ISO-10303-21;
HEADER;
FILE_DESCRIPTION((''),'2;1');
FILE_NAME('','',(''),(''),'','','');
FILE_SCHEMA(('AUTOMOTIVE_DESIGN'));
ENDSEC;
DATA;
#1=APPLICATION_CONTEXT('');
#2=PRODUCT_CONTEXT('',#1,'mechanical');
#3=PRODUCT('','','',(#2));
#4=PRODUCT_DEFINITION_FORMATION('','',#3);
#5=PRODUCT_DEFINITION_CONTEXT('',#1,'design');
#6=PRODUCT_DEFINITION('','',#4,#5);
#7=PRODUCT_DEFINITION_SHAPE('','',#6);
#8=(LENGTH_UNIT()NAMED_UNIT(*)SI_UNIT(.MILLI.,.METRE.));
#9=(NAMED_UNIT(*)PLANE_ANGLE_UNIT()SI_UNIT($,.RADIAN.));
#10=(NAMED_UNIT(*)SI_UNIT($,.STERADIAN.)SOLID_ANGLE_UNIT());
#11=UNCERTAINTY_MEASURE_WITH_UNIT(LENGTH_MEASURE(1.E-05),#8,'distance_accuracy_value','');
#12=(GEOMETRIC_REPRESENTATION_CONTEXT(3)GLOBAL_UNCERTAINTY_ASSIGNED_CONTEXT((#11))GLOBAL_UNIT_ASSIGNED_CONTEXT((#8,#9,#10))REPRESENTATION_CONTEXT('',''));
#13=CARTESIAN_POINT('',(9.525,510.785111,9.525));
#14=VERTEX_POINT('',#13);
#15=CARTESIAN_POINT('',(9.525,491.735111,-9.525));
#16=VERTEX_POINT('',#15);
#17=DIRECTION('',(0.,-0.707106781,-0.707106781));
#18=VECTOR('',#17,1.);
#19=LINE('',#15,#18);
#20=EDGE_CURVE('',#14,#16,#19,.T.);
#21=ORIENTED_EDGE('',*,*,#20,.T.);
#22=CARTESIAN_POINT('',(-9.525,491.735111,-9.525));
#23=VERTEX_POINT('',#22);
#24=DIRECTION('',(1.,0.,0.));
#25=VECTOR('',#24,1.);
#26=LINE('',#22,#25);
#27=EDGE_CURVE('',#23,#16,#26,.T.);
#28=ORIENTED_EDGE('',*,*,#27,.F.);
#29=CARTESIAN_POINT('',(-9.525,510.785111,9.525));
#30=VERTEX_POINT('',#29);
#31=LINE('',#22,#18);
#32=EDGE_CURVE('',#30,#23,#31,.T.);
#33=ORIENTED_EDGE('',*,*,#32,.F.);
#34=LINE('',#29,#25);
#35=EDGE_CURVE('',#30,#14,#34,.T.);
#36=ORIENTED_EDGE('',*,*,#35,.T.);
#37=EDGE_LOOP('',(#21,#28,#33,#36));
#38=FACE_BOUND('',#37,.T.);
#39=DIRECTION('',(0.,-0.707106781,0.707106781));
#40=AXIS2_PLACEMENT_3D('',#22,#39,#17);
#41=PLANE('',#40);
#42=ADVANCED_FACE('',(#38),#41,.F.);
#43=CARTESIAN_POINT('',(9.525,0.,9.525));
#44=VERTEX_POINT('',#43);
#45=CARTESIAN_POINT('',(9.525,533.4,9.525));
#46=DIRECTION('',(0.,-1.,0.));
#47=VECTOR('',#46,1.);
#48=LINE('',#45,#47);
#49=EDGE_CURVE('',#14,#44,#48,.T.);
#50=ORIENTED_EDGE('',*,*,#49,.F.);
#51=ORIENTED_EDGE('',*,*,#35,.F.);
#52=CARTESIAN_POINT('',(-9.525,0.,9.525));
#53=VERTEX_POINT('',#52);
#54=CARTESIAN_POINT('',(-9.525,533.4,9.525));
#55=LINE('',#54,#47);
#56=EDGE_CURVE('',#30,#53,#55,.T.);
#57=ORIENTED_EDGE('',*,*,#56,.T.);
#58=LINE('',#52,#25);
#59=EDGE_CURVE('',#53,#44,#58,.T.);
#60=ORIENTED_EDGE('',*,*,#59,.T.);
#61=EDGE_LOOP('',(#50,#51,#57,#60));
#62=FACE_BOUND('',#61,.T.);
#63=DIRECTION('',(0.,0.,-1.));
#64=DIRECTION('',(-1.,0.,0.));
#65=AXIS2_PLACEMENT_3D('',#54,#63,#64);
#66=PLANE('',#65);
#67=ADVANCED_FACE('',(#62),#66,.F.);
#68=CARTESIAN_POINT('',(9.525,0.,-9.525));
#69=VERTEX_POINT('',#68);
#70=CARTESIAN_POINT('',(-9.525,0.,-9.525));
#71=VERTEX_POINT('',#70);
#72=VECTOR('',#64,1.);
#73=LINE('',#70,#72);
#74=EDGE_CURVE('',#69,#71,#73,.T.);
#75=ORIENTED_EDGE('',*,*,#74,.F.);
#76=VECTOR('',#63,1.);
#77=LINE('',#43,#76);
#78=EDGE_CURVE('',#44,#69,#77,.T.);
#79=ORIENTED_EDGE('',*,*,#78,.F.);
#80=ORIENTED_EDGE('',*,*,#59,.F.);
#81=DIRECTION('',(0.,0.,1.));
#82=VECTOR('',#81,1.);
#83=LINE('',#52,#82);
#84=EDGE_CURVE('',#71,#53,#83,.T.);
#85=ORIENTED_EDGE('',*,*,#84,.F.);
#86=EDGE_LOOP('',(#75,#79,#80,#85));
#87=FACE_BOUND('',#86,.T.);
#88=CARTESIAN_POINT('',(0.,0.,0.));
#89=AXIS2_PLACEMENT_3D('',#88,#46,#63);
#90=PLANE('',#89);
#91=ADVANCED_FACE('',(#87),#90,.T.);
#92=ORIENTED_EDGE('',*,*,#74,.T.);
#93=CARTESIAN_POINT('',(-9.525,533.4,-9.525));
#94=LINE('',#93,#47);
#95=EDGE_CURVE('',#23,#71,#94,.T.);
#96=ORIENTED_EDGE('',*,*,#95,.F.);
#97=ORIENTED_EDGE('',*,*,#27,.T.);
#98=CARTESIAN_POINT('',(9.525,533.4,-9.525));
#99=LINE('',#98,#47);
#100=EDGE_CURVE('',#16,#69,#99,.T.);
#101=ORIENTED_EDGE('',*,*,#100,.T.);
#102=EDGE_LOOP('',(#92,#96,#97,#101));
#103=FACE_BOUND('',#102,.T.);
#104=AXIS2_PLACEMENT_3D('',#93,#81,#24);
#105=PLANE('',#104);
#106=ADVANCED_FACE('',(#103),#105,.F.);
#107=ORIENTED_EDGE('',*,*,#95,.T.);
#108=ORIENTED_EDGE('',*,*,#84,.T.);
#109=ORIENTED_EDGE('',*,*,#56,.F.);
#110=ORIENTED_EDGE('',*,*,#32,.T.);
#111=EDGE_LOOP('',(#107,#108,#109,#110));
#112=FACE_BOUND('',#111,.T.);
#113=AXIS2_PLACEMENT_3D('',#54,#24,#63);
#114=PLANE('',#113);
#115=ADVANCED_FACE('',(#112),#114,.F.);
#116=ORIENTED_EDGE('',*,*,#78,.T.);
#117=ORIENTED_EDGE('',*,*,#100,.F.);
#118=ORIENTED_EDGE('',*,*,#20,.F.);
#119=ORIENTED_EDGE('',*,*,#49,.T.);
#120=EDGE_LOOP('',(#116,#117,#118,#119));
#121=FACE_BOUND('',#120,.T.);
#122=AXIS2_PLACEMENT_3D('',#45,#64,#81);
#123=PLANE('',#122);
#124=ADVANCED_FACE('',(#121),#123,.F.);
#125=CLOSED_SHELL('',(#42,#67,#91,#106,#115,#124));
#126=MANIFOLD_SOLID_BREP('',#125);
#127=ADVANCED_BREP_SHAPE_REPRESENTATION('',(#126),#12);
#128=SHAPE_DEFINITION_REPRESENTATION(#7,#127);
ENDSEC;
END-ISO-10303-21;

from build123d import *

# Parameters (mm, degrees)
SKETCH1_W           = 19.05
SKETCH1_H           = 19.05
BOSS_EXTRUDE1_DEPTH = 533.4
CUT_EXTRUDE1_DEPTH  = 20.05


with BuildPart() as part:
    # Sketch1 → Boss-Extrude1 (new body)
    with BuildSketch(Plane(origin=(0, 0, 0), x_dir=(1, 0, 0), z_dir=(0, 1, 0))):
        Rectangle(SKETCH1_W, SKETCH1_H)
    extrude(amount=BOSS_EXTRUDE1_DEPTH)

    # Sketch4 → Cut-Extrude1 (cut, through all)
    with BuildSketch(Plane(origin=(9.525, 0, 0), x_dir=(0, 0, -1), z_dir=(1, 0, 0))):
        Polygon((9.525, 491.735111143), (-9.525, 510.785111143), (-9.525, 533.4), (9.525, 533.4), align=None)
    extrude(amount=-CUT_EXTRUDE1_DEPTH, mode=Mode.SUBTRACT)


solid = part.part
